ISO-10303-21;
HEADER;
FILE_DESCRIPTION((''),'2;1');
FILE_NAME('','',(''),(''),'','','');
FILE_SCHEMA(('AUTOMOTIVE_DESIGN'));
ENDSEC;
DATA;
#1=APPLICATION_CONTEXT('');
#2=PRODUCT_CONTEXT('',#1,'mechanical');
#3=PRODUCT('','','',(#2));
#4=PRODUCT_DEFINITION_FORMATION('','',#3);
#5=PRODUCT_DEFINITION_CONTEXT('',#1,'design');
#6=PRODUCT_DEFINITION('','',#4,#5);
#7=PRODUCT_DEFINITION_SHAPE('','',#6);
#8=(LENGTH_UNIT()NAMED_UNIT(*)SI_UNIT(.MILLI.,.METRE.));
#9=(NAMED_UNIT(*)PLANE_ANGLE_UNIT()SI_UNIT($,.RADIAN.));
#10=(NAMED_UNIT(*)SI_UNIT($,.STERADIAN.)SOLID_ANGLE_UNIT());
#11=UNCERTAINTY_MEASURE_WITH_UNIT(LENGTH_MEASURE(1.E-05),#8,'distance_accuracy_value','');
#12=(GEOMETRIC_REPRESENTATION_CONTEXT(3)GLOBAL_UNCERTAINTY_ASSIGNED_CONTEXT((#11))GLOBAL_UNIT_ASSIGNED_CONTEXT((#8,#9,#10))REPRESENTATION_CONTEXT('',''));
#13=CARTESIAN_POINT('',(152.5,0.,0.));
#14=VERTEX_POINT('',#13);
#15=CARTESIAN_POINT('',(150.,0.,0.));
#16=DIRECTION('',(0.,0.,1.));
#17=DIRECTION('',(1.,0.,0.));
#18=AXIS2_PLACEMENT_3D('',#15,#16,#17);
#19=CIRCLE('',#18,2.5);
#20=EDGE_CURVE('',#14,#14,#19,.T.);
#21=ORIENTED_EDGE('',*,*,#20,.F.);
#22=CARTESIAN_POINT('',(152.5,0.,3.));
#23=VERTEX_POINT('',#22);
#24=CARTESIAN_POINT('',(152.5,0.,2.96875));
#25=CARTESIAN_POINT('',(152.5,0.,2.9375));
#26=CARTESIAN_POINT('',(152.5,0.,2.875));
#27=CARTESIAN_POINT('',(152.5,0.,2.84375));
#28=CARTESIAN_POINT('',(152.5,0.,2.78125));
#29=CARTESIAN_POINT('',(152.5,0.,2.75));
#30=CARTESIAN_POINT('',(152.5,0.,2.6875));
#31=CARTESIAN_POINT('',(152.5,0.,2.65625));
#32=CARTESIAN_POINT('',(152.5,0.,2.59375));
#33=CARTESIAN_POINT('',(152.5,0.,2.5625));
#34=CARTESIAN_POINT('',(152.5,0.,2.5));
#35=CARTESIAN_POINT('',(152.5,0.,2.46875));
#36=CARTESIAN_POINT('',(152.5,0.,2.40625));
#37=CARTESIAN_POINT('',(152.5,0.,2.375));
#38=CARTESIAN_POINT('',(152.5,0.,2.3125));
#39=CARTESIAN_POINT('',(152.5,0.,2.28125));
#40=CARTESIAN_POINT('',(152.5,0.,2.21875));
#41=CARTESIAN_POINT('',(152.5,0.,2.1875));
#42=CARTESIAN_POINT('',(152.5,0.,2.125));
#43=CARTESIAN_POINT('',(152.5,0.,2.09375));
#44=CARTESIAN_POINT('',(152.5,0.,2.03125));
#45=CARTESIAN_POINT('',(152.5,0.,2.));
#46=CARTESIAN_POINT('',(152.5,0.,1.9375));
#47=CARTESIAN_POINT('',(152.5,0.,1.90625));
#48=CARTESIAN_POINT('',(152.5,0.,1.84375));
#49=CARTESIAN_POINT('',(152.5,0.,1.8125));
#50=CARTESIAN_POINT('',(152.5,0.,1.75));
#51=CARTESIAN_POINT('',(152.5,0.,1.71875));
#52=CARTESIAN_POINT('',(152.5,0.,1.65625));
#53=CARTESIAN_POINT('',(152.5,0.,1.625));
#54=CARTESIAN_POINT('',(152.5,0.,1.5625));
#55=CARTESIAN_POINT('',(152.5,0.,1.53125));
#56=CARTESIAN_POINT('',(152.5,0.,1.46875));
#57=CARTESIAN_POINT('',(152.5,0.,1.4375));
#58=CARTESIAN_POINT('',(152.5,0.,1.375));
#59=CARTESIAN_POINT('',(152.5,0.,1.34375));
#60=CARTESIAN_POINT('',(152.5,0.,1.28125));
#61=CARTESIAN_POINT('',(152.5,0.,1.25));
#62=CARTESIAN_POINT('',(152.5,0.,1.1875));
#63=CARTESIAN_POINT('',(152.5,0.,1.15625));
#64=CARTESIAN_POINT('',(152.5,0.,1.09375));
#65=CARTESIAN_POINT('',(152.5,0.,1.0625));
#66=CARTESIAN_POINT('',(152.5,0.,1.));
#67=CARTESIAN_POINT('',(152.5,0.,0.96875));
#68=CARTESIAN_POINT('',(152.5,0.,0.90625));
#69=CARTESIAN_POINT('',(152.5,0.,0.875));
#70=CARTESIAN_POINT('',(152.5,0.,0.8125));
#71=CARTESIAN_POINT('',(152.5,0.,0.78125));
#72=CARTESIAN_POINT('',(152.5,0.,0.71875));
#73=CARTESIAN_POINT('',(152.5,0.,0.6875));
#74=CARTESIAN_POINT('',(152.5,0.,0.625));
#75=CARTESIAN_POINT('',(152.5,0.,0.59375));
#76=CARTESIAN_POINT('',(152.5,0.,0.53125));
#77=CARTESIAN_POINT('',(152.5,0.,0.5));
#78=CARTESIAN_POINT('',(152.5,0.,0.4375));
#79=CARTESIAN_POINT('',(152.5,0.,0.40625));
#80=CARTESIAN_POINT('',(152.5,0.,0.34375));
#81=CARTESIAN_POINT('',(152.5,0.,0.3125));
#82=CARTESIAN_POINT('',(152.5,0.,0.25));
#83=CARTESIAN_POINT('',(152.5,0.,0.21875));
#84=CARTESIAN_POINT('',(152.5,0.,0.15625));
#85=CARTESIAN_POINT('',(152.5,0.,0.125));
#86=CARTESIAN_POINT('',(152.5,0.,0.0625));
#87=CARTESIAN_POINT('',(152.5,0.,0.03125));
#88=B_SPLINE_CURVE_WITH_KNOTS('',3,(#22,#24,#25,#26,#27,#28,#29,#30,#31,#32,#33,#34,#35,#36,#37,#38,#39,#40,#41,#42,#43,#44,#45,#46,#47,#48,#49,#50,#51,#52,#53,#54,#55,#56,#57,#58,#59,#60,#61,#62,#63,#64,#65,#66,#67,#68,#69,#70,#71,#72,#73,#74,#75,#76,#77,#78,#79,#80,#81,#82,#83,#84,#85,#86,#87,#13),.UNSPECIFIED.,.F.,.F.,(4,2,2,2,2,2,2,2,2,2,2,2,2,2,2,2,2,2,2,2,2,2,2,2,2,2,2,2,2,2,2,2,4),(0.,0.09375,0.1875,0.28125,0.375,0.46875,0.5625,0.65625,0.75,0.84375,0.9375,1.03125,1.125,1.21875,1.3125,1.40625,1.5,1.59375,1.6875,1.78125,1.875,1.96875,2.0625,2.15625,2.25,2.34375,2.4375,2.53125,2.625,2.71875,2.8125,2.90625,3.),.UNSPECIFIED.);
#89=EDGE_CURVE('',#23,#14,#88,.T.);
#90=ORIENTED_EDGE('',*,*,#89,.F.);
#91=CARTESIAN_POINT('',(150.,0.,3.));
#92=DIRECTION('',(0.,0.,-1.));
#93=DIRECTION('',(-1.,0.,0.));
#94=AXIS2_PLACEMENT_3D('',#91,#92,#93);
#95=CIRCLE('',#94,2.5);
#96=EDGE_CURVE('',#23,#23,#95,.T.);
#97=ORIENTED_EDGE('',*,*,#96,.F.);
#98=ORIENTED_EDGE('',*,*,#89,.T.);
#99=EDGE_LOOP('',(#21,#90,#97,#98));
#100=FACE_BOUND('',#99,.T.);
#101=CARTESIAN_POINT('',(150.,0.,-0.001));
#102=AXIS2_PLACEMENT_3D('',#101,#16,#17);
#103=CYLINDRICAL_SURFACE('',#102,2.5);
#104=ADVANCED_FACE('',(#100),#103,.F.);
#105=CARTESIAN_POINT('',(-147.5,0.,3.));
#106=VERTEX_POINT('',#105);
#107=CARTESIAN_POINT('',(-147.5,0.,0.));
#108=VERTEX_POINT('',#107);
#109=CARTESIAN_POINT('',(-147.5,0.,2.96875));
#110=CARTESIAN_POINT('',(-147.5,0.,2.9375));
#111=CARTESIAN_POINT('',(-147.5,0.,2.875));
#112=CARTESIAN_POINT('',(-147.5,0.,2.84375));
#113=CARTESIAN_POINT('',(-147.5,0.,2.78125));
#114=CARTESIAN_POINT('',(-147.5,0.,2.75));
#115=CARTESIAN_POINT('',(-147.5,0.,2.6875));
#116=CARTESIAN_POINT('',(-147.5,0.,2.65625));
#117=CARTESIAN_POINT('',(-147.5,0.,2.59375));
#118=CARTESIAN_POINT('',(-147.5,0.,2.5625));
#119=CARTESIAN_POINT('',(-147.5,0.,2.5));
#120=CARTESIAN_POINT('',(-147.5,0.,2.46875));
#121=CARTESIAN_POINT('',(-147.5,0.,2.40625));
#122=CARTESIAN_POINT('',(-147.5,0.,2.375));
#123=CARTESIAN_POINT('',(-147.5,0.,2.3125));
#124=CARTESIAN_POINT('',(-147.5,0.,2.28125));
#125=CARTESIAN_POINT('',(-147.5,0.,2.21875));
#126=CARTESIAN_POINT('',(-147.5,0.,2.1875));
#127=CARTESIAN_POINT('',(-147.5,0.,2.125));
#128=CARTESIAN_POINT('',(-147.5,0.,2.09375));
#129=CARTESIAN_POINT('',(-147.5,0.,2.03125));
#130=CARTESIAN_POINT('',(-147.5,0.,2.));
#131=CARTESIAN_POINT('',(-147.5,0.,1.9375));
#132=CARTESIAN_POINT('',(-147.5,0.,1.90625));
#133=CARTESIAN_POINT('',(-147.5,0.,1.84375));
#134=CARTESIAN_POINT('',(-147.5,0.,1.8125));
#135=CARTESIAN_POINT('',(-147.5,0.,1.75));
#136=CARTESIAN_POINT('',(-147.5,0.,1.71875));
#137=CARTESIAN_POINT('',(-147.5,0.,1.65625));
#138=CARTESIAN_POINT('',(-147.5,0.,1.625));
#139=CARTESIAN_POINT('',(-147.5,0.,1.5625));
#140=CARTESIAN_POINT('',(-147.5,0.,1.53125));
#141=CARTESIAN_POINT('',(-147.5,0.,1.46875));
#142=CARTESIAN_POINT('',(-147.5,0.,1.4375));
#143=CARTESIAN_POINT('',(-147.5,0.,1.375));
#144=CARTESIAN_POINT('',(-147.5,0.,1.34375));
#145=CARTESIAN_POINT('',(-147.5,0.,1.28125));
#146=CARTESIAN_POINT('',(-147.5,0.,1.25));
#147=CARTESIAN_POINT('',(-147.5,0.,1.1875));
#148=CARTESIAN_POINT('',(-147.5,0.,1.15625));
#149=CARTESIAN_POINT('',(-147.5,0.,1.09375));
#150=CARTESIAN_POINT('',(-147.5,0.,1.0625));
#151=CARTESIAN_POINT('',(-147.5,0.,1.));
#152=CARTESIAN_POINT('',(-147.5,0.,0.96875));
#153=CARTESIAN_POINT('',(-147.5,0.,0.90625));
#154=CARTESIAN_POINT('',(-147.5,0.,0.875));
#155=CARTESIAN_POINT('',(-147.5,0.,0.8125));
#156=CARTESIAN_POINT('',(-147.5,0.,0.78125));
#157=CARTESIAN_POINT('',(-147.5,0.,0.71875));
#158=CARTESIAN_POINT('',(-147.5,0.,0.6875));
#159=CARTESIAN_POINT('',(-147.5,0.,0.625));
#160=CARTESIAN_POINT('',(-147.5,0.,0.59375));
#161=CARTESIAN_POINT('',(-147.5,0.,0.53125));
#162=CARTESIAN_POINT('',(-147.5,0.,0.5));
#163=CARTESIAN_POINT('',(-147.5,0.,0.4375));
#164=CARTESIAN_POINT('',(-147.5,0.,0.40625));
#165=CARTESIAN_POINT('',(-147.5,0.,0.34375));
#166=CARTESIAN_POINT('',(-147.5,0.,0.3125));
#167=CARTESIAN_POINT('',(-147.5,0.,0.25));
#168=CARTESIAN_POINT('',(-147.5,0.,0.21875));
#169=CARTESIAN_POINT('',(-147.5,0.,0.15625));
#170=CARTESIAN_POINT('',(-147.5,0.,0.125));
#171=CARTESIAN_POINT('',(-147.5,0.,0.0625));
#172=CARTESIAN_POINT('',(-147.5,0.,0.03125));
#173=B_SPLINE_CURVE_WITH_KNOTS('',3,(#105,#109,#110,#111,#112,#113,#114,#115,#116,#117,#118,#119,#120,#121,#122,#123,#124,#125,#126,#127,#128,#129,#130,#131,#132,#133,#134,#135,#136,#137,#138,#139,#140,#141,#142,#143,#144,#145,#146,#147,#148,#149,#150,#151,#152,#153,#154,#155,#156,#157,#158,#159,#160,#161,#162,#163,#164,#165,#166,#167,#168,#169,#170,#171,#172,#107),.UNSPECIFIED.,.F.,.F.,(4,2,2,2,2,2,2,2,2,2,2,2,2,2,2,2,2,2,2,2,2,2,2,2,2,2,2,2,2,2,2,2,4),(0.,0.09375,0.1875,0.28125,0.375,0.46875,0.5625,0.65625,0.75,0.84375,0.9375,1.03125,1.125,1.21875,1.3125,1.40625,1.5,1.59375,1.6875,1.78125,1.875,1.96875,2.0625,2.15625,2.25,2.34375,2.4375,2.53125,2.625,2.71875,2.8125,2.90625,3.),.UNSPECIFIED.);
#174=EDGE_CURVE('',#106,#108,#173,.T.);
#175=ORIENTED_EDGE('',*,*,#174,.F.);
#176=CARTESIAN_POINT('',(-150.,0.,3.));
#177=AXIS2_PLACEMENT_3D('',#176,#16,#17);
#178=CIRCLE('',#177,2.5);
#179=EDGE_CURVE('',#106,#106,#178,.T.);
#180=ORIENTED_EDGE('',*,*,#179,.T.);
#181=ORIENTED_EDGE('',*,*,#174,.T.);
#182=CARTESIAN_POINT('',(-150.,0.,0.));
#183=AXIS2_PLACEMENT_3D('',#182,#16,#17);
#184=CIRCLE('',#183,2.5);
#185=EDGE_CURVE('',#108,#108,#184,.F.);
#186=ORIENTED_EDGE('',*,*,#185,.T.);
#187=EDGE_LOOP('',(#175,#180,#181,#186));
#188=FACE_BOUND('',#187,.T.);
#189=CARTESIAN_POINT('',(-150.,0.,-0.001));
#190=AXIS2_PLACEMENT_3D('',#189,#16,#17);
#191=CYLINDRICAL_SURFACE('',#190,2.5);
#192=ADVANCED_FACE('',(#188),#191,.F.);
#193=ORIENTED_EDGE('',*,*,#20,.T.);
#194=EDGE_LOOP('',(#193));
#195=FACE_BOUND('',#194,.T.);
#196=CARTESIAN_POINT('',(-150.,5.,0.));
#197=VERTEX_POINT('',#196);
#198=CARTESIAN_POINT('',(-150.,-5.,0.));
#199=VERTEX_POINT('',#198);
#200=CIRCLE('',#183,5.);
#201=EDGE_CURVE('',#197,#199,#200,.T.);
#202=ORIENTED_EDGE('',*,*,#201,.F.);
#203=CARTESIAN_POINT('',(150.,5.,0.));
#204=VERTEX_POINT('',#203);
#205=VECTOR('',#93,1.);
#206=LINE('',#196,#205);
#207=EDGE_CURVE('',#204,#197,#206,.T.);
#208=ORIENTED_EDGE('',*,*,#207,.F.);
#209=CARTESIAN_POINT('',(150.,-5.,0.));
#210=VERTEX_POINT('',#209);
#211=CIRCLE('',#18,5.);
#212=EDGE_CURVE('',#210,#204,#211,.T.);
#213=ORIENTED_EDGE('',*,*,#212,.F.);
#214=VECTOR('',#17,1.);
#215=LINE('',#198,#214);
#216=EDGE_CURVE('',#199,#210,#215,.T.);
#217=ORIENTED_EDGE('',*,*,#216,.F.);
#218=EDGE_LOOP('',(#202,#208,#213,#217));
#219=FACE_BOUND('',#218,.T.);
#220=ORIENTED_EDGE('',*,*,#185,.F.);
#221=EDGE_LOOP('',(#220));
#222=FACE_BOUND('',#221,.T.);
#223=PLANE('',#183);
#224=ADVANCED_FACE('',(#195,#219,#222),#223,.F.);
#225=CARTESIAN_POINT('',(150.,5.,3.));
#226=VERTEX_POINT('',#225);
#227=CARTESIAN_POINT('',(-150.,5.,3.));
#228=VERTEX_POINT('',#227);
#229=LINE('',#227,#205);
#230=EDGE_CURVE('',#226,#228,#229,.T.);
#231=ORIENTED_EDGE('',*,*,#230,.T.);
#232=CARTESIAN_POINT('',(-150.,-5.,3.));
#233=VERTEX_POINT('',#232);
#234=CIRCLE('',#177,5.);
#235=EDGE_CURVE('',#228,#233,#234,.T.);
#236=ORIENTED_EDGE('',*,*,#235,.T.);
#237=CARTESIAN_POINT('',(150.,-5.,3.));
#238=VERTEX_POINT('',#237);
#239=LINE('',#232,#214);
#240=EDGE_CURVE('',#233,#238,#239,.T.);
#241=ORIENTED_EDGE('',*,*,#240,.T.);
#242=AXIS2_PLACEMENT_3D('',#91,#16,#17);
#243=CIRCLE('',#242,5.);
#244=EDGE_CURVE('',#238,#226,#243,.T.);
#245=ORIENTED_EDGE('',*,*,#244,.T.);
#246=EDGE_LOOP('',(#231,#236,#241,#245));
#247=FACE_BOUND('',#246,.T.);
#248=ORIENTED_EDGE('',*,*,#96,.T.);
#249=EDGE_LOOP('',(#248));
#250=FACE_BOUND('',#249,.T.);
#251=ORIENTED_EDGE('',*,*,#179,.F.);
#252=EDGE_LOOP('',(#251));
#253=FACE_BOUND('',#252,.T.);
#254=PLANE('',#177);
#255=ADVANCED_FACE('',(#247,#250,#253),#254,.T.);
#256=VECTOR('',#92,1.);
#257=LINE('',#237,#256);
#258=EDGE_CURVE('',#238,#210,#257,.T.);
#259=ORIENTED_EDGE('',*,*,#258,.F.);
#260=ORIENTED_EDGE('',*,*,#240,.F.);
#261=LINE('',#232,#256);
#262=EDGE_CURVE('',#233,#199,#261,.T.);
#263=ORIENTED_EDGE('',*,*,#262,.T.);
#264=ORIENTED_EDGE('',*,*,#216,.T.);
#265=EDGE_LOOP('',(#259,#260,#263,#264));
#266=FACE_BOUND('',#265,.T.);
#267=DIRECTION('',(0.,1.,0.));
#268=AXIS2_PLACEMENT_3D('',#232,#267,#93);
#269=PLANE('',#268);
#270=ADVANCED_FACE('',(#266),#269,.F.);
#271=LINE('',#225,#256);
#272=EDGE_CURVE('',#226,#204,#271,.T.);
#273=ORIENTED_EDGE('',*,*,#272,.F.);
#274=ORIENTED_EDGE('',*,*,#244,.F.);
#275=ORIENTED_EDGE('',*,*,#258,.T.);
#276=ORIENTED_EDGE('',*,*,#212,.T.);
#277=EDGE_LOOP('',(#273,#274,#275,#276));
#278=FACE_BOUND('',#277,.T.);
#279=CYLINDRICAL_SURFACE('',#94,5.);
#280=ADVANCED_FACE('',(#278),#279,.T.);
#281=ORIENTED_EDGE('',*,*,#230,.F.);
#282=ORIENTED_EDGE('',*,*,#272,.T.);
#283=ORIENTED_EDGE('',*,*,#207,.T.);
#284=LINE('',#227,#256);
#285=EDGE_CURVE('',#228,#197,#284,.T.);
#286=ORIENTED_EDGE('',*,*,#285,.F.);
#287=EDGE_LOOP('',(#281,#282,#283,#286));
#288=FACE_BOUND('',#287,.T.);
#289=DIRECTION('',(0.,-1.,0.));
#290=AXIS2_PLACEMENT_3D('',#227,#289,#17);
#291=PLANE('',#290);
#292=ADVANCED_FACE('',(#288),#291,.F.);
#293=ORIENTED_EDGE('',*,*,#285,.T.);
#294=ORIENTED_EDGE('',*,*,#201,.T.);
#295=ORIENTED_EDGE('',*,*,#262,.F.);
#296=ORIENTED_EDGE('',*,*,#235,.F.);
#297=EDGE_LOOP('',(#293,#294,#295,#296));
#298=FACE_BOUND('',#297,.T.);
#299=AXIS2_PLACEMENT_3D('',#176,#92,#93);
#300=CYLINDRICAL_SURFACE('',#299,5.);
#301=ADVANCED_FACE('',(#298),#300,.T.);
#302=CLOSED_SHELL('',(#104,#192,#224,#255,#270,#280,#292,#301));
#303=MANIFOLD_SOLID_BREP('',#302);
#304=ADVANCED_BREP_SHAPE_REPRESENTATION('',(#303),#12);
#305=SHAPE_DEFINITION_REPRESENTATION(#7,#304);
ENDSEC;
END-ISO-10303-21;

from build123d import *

# Parameters (mm, degrees)
BOSS_EXTRUDE1_DEPTH = 3
CUT_EXTRUDE1_REACH  = 157.11
SKETCH2_R           = 2.5


with BuildPart() as part:
    # Sketch1 → Boss-Extrude1 (new body)
    with BuildSketch(Plane.XY):
        with BuildLine():
            Line((-150, 5), (150, 5))
            ThreePointArc((150, 5), (155, 0), (150, -5))
            Line((150, -5), (-150, -5))
            ThreePointArc((-150, -5), (-155, 0), (-150, 5))
        make_face()
    extrude(amount=BOSS_EXTRUDE1_DEPTH)

    # Sketch2 → Cut-Extrude1 (cut, up to next)
    with BuildSketch(Plane.XY.offset(3), mode=Mode.PRIVATE) as cut_extrude1_sk1:
        with Locations((-150, 0)):
            Circle(SKETCH2_R)
    cut_extrude1_tool1 = extrude(cut_extrude1_sk1.sketch, amount=-CUT_EXTRUDE1_REACH, mode=Mode.PRIVATE) & part.part
    cut_extrude1 = cut_extrude1_tool1.solids().sort_by_distance((-150, 0, 3))[0]
    add(cut_extrude1, mode=Mode.SUBTRACT)

    # Mirror1: Cut-Extrude1 across plane
    add(cut_extrude1.mirror(Plane(origin=(0, 0, 0), x_dir=(0, 0, 1), z_dir=(1, 0, 0))), mode=Mode.SUBTRACT)


solid = part.part
